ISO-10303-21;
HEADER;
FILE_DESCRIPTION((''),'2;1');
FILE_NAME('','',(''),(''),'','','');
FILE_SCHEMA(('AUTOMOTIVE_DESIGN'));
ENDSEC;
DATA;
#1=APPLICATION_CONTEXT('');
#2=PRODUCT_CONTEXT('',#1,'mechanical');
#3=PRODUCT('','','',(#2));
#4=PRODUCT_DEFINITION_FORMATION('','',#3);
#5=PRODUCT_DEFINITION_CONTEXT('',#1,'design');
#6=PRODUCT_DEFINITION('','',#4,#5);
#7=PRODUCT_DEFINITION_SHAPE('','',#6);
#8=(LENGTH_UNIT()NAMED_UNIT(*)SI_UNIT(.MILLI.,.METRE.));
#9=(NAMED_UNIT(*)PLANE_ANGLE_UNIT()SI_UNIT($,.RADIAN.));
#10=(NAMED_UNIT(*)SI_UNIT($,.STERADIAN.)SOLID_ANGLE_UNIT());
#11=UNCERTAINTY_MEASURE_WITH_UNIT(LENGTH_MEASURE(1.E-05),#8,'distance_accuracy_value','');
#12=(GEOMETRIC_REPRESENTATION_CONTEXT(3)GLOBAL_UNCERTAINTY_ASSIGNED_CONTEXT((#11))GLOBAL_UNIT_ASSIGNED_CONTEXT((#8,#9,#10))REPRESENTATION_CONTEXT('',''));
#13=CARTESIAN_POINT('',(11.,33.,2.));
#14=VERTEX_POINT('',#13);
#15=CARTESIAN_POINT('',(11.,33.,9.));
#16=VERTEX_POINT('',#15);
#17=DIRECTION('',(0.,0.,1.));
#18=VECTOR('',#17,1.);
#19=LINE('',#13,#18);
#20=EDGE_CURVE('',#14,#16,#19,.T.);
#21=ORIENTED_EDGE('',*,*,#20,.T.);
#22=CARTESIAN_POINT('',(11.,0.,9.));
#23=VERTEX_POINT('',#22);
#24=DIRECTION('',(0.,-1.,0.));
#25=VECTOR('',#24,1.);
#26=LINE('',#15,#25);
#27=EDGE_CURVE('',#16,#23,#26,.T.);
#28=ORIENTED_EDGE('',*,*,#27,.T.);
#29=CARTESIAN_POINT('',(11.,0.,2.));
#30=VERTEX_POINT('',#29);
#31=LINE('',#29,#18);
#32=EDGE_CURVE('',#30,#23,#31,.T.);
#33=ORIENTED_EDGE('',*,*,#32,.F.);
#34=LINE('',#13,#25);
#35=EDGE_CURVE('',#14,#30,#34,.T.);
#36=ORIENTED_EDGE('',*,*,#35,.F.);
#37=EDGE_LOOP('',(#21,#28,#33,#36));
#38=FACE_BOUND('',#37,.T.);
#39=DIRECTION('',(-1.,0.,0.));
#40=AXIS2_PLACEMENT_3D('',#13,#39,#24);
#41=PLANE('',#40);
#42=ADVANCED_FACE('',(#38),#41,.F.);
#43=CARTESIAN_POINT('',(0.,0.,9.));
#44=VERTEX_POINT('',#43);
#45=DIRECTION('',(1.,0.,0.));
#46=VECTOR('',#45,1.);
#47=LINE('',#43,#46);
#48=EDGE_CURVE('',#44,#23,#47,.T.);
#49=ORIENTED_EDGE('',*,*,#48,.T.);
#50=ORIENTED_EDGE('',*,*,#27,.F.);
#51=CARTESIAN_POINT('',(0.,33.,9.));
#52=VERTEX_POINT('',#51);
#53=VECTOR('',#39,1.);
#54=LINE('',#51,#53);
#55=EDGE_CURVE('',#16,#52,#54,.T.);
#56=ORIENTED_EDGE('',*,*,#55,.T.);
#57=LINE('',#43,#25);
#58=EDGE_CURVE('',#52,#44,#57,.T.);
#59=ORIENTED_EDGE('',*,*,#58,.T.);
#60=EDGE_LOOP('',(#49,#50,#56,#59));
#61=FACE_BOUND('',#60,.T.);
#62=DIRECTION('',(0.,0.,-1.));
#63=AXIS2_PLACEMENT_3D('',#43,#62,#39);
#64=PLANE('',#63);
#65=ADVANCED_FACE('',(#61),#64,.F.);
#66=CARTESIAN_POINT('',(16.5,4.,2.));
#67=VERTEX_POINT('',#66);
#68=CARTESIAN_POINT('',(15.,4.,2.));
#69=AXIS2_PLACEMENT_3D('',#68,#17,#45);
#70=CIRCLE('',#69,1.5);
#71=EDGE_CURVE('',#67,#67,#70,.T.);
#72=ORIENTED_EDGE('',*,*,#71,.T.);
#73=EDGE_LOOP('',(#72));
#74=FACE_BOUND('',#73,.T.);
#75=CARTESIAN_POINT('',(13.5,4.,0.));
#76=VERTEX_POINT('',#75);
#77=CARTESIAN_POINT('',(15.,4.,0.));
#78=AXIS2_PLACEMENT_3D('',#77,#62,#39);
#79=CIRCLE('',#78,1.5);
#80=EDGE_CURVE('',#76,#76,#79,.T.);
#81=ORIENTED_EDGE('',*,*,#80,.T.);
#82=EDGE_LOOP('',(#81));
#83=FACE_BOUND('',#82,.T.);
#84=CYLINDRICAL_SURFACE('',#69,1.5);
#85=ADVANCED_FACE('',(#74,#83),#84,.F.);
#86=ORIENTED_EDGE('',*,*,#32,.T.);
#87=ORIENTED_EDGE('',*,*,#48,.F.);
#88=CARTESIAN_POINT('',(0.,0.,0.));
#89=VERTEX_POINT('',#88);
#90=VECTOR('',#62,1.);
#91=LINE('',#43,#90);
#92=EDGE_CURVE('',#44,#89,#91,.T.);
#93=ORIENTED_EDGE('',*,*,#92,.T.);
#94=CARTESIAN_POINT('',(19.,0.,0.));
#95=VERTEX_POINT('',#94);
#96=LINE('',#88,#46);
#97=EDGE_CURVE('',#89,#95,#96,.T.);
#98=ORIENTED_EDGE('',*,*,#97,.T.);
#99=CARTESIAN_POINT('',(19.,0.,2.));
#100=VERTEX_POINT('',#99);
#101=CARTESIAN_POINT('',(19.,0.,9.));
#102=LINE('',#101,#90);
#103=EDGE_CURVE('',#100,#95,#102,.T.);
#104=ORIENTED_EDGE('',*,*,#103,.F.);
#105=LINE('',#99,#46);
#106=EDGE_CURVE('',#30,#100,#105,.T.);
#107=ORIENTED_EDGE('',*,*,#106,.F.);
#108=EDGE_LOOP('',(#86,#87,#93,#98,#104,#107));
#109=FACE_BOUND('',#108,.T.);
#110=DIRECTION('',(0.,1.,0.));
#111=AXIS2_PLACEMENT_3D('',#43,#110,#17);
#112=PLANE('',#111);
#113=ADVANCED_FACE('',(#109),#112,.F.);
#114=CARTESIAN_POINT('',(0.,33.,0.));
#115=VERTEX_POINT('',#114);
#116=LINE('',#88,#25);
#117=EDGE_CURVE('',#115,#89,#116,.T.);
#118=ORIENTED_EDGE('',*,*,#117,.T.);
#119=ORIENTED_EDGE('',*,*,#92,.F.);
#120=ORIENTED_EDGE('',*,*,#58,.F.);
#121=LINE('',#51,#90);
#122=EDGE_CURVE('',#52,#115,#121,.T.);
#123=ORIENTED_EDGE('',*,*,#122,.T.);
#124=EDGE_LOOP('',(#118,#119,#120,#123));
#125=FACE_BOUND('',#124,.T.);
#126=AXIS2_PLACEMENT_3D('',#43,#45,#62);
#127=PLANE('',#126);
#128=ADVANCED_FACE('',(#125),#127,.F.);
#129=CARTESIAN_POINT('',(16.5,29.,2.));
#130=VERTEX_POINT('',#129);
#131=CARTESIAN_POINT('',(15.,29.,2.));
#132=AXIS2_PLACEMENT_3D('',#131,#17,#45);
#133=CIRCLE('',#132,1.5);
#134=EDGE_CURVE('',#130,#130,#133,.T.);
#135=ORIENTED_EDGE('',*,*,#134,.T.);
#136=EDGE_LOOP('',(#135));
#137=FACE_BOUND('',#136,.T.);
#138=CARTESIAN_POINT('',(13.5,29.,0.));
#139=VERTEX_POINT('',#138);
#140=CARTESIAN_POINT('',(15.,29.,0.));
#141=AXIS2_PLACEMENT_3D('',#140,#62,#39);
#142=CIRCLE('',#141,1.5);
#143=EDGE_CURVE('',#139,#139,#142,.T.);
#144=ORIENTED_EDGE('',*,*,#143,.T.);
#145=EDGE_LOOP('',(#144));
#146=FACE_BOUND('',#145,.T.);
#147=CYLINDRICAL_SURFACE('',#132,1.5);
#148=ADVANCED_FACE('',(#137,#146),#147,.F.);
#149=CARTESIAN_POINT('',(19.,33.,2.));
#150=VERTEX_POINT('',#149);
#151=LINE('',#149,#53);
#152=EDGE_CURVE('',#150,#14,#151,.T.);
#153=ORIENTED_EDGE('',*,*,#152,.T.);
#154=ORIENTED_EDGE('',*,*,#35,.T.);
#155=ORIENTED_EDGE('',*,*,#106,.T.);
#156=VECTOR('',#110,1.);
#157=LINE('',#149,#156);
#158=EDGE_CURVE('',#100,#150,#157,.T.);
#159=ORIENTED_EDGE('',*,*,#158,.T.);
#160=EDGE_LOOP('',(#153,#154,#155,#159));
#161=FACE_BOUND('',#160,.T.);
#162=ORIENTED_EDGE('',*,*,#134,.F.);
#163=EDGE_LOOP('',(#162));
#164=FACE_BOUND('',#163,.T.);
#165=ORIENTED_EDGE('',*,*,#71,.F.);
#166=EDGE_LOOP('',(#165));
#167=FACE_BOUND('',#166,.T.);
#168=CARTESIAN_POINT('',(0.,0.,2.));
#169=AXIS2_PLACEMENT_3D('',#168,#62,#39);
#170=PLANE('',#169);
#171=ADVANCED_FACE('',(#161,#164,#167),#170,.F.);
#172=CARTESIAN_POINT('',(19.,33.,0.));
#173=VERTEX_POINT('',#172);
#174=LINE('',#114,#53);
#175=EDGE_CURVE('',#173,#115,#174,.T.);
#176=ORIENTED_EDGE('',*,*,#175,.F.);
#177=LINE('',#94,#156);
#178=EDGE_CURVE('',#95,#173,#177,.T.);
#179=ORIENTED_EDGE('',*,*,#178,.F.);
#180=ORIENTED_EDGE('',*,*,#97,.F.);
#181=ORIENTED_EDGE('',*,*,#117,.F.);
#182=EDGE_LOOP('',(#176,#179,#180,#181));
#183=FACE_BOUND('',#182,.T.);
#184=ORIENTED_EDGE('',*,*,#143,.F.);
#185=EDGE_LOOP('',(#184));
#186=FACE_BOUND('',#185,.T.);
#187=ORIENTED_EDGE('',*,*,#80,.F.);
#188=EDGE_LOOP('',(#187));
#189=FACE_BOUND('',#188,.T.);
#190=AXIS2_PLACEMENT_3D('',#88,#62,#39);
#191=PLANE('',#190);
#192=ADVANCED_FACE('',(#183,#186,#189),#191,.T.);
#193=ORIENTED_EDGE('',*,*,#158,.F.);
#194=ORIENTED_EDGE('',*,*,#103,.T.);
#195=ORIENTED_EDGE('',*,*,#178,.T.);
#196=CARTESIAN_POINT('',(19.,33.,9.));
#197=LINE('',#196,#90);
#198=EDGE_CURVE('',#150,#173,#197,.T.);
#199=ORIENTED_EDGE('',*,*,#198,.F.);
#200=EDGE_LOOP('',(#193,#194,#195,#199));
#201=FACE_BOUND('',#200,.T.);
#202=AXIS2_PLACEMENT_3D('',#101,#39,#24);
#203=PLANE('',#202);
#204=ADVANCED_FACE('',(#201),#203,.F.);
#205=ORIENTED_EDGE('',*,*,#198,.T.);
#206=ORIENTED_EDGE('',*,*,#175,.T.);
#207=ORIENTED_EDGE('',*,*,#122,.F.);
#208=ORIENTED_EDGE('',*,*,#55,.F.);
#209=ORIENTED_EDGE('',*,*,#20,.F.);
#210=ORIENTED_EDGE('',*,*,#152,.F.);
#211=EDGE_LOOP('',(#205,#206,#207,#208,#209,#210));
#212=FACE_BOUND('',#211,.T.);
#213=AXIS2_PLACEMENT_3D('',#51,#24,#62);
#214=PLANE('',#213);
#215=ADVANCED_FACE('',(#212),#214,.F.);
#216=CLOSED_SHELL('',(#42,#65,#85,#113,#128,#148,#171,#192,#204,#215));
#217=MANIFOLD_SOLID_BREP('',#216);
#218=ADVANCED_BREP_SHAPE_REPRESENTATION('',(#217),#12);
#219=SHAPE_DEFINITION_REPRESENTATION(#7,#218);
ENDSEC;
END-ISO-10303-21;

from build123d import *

# Parameters (mm, degrees)
SKETCH1_W                 = 19
SKETCH1_H                 = 33
BOSS_EXTRUDE1_DEPTH       = 9
SKETCH3_W                 = 8
SKETCH3_H                 = 33
CUT_EXTRUDE1_DEPTH        = 7
F_3_0MM_DOWEL_HOLE1_D     = 3
F_3_0MM_DOWEL_HOLE1_DEPTH = 2


with BuildPart() as part:
    # Sketch1 → Boss-Extrude1 (new body)
    with BuildSketch(Plane.XY):
        with Locations((9.5, 16.5)):
            Rectangle(SKETCH1_W, SKETCH1_H)
    extrude(amount=BOSS_EXTRUDE1_DEPTH)

    # Sketch3 → Cut-Extrude1 (cut)
    with BuildSketch(Plane.XY.offset(9)):
        with Locations((15, 16.5)):
            Rectangle(SKETCH3_W, SKETCH3_H)
    extrude(amount=-CUT_EXTRUDE1_DEPTH, mode=Mode.SUBTRACT)

    # Ø3.0mm Dowel Hole1
    with Locations(Plane.XY.offset(2)):
        with Locations((15, 4), (15, 29)):
            Hole(F_3_0MM_DOWEL_HOLE1_D / 2, depth=F_3_0MM_DOWEL_HOLE1_DEPTH)


solid = part.part
